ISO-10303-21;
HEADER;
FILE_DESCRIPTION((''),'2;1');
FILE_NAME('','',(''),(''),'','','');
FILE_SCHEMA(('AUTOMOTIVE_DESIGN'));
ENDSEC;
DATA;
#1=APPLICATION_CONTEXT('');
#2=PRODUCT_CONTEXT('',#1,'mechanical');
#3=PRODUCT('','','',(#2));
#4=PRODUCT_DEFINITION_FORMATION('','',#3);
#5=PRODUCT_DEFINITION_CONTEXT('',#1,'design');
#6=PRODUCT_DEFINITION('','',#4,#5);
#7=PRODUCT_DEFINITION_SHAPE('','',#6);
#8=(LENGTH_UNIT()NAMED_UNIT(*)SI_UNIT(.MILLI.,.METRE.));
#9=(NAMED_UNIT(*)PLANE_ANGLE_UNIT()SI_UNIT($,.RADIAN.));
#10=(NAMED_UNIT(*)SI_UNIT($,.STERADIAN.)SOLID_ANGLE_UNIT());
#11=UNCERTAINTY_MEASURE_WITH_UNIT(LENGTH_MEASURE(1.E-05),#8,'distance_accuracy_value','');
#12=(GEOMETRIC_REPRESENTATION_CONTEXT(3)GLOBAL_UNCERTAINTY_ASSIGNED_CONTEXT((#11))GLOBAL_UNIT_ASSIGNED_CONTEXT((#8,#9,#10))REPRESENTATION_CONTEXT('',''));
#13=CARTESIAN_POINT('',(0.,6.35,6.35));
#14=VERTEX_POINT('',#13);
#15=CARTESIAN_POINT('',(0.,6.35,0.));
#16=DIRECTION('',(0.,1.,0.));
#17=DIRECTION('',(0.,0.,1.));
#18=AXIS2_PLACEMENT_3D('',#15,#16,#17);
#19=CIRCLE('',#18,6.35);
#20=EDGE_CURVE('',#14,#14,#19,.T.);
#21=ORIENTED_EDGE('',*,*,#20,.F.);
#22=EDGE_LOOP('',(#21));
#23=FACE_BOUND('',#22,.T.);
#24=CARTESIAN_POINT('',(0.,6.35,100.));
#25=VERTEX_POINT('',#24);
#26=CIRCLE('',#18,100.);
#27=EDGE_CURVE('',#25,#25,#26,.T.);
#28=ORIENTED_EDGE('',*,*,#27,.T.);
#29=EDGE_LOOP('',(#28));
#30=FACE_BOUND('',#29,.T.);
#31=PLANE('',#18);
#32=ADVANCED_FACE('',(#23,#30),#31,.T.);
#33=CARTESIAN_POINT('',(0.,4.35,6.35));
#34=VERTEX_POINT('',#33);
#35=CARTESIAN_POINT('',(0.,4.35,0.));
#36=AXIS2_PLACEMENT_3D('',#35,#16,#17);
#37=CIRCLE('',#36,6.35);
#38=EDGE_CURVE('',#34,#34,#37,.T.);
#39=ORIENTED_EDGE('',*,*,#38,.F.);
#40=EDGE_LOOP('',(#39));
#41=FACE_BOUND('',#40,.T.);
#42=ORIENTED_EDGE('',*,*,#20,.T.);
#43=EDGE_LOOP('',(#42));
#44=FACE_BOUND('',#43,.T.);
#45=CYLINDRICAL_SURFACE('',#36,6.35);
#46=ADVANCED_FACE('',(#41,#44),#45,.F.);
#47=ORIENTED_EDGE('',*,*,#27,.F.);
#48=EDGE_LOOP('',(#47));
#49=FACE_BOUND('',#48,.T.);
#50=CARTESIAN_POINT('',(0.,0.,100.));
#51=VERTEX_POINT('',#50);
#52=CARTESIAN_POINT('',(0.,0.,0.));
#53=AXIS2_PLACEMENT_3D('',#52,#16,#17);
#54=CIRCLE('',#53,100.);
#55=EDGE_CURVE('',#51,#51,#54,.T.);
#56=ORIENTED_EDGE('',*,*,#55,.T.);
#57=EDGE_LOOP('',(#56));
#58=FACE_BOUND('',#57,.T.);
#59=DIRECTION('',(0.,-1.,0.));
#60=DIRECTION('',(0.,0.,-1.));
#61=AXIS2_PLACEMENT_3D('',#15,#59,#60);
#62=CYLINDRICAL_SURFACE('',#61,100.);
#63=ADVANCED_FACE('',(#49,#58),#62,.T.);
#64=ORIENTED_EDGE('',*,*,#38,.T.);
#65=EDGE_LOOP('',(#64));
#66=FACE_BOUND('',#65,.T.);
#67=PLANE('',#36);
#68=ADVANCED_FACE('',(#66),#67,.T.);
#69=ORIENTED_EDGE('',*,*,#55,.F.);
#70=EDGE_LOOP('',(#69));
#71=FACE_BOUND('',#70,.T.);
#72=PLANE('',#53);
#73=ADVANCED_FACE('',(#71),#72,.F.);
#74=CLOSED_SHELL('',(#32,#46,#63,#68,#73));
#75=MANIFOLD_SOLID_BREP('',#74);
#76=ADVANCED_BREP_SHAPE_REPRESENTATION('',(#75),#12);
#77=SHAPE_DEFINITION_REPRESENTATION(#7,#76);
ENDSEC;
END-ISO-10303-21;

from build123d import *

# Parameters (mm, degrees)
SKETCH1_R           = 100
BOSS_EXTRUDE1_DEPTH = 6.35
SKETCH3_R           = 6.35
CUT_EXTRUDE1_DEPTH  = 2


with BuildPart() as part:
    # Sketch1 → Boss-Extrude1 (new body)
    with BuildSketch(Plane(origin=(0, 0, 0), x_dir=(1, 0, 0), z_dir=(0, 1, 0))):
        Circle(SKETCH1_R)
    extrude(amount=BOSS_EXTRUDE1_DEPTH)

    # Sketch3 → Cut-Extrude1 (cut)
    with BuildSketch(Plane(origin=(0, 6.35, 0), x_dir=(1, 0, 0), z_dir=(0, 1, 0))):
        Circle(SKETCH3_R)
    extrude(amount=-CUT_EXTRUDE1_DEPTH, mode=Mode.SUBTRACT)


solid = part.part
